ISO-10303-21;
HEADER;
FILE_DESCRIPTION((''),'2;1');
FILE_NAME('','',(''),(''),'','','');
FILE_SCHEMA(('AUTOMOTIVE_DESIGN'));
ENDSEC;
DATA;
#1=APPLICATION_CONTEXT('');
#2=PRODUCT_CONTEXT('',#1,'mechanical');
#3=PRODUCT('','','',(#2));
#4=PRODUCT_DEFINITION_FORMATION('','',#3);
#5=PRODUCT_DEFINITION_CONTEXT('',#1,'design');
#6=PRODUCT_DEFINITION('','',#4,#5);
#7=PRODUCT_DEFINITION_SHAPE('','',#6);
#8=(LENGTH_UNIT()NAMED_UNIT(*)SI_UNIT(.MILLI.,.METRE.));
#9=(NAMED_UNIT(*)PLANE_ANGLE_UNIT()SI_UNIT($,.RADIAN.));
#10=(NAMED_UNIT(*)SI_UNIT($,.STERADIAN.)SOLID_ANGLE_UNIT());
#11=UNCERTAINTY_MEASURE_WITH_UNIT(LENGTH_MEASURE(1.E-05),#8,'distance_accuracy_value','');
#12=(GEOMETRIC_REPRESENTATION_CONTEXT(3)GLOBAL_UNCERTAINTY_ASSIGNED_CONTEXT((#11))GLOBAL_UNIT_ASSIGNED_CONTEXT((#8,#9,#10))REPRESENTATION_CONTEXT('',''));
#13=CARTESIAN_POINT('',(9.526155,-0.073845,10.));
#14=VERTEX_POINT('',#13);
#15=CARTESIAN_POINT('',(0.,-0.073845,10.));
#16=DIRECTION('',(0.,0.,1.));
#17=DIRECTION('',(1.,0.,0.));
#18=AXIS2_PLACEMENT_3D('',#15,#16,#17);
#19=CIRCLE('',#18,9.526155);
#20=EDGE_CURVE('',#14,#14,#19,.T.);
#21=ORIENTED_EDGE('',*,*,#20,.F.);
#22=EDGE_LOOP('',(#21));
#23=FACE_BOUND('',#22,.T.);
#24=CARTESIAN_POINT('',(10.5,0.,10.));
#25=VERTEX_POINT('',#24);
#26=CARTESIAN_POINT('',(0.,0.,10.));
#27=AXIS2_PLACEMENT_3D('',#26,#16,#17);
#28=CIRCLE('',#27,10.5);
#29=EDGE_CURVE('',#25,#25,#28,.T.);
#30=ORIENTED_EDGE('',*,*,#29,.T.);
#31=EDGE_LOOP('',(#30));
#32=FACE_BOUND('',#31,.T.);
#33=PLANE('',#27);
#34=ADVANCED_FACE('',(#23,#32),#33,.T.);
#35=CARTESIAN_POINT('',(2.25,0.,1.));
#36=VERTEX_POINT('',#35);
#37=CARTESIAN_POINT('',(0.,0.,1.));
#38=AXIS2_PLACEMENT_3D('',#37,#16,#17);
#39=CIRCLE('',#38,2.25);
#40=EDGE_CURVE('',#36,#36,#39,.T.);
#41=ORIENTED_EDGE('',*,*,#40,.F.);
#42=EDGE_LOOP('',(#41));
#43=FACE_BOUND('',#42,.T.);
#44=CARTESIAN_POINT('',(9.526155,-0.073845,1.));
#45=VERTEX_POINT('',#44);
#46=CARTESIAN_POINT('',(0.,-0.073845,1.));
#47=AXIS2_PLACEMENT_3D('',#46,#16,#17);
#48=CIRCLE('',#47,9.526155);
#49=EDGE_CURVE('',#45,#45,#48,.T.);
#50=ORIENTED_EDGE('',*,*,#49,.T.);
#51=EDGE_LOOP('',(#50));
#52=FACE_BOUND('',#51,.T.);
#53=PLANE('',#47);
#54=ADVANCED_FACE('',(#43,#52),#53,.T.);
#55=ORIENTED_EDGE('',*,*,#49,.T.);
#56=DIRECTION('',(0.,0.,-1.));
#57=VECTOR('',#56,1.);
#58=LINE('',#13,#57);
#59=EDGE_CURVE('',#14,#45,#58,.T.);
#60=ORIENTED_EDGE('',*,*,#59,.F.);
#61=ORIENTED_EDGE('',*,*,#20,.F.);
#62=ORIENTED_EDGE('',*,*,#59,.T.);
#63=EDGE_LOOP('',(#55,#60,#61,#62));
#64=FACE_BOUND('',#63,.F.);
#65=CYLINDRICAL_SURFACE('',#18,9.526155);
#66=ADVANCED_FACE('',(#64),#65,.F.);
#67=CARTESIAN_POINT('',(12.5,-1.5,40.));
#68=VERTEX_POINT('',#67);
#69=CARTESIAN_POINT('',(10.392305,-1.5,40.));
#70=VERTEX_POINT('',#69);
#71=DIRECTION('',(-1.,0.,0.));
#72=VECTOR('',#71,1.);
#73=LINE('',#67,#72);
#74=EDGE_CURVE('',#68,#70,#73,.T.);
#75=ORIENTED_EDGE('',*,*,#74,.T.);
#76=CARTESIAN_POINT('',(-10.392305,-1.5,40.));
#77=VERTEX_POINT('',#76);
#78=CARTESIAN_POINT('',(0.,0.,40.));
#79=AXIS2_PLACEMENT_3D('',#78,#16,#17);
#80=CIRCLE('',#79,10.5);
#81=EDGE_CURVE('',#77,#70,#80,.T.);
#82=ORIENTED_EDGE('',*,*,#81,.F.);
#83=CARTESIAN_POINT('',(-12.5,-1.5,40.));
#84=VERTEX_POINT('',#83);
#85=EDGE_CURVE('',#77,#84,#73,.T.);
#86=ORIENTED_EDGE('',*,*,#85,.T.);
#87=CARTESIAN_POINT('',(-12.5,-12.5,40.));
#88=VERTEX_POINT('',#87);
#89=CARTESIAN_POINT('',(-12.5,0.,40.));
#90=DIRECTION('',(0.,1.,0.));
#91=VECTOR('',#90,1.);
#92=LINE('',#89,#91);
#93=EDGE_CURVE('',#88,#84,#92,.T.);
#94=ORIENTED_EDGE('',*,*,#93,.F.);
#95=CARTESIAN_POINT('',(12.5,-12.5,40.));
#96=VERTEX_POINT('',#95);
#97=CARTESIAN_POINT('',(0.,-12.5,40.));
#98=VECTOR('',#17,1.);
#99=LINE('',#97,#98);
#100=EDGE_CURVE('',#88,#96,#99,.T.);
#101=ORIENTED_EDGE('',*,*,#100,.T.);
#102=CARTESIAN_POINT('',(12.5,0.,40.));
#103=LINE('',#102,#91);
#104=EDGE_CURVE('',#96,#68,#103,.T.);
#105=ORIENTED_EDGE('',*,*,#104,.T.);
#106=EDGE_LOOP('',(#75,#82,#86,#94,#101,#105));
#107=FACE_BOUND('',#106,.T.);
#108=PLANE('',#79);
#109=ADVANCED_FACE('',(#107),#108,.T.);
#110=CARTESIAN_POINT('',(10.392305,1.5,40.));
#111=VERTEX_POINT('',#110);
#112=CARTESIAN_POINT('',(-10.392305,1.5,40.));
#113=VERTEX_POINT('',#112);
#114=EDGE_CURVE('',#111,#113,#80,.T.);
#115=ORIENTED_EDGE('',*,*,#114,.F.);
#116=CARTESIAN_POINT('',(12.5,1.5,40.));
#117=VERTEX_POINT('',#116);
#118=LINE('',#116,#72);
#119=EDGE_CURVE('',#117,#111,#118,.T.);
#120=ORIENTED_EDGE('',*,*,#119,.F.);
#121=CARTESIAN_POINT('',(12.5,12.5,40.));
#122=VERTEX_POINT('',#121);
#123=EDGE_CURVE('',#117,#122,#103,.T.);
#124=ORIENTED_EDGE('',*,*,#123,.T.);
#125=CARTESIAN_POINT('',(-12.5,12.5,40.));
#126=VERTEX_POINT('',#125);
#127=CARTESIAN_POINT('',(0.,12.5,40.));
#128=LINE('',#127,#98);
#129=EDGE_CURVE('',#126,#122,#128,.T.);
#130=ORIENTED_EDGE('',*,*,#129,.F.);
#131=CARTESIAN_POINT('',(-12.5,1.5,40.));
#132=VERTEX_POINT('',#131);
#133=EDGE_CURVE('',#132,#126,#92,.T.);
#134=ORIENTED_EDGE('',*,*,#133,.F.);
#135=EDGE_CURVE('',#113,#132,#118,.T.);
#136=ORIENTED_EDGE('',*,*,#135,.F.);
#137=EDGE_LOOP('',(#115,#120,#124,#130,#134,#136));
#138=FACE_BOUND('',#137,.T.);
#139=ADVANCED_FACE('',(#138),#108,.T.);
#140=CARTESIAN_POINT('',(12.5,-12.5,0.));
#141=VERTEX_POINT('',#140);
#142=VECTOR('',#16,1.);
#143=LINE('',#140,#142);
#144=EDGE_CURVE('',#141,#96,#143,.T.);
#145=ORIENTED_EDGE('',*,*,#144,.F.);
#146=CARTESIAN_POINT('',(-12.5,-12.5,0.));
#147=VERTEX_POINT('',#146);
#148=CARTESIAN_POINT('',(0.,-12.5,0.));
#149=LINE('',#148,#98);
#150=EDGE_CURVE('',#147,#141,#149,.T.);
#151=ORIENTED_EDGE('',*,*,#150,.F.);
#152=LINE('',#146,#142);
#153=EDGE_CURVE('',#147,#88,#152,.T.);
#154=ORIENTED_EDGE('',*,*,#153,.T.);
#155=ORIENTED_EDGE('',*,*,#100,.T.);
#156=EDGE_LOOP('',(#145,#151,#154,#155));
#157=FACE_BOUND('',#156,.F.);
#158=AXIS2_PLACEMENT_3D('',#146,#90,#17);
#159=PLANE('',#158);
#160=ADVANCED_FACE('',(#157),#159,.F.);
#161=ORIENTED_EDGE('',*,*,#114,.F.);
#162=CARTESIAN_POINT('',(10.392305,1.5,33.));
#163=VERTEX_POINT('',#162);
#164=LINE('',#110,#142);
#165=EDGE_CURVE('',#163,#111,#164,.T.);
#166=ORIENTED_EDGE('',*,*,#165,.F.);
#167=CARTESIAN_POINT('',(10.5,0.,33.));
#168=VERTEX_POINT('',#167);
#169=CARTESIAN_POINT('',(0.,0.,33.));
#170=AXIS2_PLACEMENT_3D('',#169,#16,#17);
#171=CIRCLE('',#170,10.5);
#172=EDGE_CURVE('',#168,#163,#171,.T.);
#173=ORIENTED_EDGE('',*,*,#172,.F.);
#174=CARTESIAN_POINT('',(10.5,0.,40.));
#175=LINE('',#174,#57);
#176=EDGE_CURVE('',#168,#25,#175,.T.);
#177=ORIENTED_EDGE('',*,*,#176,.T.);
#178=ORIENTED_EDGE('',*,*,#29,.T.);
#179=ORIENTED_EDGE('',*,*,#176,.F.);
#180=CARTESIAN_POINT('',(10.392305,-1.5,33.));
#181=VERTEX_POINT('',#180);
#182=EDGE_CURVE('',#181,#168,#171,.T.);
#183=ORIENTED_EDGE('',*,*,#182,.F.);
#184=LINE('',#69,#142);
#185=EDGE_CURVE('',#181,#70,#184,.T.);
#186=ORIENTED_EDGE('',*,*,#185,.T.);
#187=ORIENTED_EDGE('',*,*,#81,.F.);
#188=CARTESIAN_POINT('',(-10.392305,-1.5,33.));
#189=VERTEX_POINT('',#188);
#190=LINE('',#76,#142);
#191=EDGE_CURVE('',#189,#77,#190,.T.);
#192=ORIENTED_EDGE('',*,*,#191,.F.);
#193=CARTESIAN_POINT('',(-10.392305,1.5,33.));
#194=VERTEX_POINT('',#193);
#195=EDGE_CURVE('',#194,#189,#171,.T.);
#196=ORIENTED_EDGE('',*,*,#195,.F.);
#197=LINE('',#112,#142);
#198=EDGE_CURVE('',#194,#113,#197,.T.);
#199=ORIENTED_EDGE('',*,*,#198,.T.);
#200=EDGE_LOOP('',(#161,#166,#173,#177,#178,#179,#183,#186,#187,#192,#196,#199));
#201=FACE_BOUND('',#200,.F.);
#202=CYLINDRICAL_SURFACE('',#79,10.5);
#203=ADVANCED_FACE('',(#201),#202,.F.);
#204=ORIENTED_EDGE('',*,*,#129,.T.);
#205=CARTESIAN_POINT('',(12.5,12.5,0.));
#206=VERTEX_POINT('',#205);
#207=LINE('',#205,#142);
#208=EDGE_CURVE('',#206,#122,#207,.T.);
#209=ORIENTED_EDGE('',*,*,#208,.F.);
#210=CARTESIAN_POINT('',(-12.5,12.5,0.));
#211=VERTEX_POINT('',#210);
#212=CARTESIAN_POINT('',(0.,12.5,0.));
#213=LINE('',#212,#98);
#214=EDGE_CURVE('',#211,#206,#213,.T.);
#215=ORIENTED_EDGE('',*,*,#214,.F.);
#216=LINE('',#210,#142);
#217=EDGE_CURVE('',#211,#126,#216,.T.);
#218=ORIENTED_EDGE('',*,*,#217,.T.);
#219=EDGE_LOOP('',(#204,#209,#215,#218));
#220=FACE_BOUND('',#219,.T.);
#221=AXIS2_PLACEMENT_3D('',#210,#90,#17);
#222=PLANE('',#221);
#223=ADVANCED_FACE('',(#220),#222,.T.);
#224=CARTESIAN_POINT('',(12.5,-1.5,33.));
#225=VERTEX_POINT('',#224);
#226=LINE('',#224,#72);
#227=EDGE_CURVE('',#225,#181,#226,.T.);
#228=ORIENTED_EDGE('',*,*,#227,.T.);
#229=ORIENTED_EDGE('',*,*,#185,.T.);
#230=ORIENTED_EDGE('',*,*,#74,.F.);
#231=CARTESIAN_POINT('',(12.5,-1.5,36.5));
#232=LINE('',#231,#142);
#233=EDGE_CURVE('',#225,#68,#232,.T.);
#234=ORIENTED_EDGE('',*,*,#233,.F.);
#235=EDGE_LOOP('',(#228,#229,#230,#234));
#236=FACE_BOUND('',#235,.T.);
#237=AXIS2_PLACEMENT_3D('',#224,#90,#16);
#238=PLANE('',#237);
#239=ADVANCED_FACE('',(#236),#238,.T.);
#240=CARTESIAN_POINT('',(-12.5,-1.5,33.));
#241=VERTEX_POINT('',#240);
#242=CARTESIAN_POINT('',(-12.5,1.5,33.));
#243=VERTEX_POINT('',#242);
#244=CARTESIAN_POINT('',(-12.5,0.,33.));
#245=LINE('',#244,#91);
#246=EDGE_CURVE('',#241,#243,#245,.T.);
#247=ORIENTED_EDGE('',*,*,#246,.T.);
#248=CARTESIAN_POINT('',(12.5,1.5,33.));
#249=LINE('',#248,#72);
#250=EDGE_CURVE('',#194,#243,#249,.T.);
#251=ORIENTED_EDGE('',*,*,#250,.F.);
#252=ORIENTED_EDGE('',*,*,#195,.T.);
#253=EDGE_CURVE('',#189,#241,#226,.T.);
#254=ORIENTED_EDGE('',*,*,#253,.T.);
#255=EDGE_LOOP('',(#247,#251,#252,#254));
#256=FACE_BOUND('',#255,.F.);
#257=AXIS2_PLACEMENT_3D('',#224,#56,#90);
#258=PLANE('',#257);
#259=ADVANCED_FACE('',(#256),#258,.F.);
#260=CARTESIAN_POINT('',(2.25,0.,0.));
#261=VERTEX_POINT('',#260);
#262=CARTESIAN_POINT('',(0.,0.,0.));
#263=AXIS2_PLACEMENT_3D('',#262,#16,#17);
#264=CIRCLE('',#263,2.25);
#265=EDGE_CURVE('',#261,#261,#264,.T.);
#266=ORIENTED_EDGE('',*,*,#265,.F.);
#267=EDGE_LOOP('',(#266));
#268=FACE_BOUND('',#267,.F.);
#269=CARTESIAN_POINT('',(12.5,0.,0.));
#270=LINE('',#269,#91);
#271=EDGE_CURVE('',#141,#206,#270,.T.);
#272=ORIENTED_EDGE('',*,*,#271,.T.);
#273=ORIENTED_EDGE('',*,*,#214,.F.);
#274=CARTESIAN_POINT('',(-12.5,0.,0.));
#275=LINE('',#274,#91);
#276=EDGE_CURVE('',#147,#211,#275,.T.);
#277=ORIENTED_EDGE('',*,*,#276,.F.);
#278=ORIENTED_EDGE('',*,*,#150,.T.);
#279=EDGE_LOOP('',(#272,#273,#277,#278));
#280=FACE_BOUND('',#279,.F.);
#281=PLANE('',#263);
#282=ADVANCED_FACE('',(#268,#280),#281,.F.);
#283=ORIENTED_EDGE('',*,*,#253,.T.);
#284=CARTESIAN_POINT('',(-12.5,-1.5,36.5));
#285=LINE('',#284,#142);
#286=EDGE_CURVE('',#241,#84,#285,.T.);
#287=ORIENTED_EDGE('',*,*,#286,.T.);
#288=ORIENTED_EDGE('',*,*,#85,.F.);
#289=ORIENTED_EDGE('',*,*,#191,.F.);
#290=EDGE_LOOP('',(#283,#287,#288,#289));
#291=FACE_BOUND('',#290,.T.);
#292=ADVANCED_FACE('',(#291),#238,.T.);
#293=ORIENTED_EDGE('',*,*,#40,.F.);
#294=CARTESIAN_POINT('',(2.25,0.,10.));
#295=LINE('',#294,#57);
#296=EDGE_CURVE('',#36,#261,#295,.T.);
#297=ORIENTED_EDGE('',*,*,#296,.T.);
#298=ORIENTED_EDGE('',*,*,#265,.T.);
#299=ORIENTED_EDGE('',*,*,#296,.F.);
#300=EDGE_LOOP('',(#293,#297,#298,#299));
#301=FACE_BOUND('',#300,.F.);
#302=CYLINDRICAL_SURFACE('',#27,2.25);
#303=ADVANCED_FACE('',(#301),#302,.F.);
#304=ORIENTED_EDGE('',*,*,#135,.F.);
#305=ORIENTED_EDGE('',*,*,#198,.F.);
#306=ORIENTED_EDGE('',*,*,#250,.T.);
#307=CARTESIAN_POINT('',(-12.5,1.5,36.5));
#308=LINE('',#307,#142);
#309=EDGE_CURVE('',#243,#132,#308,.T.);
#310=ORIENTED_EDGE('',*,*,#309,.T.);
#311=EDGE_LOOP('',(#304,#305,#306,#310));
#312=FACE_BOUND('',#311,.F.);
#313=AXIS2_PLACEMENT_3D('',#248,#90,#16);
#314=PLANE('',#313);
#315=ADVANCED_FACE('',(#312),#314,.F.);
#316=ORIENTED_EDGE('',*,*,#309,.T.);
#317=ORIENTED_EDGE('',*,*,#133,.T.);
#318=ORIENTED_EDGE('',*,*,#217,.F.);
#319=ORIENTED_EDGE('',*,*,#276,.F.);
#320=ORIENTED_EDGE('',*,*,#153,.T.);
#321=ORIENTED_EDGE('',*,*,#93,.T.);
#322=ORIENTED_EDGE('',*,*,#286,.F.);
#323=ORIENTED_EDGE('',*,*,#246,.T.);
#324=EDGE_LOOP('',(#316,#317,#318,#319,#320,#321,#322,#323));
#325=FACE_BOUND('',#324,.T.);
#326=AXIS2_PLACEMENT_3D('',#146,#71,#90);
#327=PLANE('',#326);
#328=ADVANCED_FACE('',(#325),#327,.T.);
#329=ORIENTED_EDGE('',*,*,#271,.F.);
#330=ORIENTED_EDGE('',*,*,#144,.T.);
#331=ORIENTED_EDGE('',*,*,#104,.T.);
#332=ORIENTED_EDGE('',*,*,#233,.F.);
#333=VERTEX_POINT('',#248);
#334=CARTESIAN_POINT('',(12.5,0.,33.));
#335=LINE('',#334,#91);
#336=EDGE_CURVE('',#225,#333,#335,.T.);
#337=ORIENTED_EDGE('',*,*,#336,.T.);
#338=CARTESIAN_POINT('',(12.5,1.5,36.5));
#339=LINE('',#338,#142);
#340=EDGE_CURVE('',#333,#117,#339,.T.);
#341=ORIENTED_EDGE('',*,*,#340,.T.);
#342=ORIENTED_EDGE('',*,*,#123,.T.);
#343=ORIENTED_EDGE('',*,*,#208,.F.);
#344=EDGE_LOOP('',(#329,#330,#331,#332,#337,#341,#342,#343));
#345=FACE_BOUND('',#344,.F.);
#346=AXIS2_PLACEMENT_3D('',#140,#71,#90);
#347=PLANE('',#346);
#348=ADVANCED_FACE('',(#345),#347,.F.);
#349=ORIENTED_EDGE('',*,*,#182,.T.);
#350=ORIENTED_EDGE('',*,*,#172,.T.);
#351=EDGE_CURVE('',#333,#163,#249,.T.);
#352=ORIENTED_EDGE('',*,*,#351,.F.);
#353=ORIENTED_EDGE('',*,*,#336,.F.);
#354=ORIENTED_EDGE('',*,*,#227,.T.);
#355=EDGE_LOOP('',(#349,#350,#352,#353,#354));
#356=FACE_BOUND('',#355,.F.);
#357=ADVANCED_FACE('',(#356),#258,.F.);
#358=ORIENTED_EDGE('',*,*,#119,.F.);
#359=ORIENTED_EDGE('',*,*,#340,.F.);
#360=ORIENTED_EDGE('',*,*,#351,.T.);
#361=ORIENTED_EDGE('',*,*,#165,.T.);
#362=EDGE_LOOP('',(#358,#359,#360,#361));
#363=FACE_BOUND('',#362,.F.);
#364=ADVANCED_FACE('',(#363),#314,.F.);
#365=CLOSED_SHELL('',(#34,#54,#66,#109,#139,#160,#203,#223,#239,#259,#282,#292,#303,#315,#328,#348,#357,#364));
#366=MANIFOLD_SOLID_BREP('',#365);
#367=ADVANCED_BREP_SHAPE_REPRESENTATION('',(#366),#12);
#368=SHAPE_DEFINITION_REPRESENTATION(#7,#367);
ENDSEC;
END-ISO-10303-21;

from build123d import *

# Parameters (mm, degrees)
F0_W     = 25
F0_H     = 25
F1_DEPTH = 40
F2_R     = 10.5
F3_DEPTH = 30
F4_R     = 2.25
F5_DEPTH = 25
F6_W     = 3
F6_H     = 7
F7_DEPTH = 25
F8_R     = 9.526155
F9_DEPTH = 9


with BuildPart() as f1:
    # F0 (on Top) → F1 (new body)
    with BuildSketch(Plane.XY):
        Rectangle(F0_W, F0_H)
    extrude(amount=F1_DEPTH)

    # F2 (on face) → F3 (cut)
    with BuildSketch(Plane.XY.offset(40)):
        Circle(F2_R)
    extrude(amount=-F3_DEPTH, mode=Mode.SUBTRACT)

    # F4 (on face) → F5 (cut)
    with BuildSketch(Plane.XY.offset(10)):
        Circle(F4_R)
    extrude(amount=-F5_DEPTH, mode=Mode.SUBTRACT)

    # F6 (on face) → F7 (cut)
    with BuildSketch(Plane.YZ.offset(12.5)):
        with Locations((0, 36.5)):
            Rectangle(F6_W, F6_H)
    extrude(amount=-F7_DEPTH, mode=Mode.SUBTRACT)

    # F8 (on face) → F9 (cut)
    with BuildSketch(Plane.XY.offset(10)):
        with Locations((0, -0.073845)):
            Circle(F8_R)
    extrude(amount=-F9_DEPTH, mode=Mode.SUBTRACT)


solid = f1.part
